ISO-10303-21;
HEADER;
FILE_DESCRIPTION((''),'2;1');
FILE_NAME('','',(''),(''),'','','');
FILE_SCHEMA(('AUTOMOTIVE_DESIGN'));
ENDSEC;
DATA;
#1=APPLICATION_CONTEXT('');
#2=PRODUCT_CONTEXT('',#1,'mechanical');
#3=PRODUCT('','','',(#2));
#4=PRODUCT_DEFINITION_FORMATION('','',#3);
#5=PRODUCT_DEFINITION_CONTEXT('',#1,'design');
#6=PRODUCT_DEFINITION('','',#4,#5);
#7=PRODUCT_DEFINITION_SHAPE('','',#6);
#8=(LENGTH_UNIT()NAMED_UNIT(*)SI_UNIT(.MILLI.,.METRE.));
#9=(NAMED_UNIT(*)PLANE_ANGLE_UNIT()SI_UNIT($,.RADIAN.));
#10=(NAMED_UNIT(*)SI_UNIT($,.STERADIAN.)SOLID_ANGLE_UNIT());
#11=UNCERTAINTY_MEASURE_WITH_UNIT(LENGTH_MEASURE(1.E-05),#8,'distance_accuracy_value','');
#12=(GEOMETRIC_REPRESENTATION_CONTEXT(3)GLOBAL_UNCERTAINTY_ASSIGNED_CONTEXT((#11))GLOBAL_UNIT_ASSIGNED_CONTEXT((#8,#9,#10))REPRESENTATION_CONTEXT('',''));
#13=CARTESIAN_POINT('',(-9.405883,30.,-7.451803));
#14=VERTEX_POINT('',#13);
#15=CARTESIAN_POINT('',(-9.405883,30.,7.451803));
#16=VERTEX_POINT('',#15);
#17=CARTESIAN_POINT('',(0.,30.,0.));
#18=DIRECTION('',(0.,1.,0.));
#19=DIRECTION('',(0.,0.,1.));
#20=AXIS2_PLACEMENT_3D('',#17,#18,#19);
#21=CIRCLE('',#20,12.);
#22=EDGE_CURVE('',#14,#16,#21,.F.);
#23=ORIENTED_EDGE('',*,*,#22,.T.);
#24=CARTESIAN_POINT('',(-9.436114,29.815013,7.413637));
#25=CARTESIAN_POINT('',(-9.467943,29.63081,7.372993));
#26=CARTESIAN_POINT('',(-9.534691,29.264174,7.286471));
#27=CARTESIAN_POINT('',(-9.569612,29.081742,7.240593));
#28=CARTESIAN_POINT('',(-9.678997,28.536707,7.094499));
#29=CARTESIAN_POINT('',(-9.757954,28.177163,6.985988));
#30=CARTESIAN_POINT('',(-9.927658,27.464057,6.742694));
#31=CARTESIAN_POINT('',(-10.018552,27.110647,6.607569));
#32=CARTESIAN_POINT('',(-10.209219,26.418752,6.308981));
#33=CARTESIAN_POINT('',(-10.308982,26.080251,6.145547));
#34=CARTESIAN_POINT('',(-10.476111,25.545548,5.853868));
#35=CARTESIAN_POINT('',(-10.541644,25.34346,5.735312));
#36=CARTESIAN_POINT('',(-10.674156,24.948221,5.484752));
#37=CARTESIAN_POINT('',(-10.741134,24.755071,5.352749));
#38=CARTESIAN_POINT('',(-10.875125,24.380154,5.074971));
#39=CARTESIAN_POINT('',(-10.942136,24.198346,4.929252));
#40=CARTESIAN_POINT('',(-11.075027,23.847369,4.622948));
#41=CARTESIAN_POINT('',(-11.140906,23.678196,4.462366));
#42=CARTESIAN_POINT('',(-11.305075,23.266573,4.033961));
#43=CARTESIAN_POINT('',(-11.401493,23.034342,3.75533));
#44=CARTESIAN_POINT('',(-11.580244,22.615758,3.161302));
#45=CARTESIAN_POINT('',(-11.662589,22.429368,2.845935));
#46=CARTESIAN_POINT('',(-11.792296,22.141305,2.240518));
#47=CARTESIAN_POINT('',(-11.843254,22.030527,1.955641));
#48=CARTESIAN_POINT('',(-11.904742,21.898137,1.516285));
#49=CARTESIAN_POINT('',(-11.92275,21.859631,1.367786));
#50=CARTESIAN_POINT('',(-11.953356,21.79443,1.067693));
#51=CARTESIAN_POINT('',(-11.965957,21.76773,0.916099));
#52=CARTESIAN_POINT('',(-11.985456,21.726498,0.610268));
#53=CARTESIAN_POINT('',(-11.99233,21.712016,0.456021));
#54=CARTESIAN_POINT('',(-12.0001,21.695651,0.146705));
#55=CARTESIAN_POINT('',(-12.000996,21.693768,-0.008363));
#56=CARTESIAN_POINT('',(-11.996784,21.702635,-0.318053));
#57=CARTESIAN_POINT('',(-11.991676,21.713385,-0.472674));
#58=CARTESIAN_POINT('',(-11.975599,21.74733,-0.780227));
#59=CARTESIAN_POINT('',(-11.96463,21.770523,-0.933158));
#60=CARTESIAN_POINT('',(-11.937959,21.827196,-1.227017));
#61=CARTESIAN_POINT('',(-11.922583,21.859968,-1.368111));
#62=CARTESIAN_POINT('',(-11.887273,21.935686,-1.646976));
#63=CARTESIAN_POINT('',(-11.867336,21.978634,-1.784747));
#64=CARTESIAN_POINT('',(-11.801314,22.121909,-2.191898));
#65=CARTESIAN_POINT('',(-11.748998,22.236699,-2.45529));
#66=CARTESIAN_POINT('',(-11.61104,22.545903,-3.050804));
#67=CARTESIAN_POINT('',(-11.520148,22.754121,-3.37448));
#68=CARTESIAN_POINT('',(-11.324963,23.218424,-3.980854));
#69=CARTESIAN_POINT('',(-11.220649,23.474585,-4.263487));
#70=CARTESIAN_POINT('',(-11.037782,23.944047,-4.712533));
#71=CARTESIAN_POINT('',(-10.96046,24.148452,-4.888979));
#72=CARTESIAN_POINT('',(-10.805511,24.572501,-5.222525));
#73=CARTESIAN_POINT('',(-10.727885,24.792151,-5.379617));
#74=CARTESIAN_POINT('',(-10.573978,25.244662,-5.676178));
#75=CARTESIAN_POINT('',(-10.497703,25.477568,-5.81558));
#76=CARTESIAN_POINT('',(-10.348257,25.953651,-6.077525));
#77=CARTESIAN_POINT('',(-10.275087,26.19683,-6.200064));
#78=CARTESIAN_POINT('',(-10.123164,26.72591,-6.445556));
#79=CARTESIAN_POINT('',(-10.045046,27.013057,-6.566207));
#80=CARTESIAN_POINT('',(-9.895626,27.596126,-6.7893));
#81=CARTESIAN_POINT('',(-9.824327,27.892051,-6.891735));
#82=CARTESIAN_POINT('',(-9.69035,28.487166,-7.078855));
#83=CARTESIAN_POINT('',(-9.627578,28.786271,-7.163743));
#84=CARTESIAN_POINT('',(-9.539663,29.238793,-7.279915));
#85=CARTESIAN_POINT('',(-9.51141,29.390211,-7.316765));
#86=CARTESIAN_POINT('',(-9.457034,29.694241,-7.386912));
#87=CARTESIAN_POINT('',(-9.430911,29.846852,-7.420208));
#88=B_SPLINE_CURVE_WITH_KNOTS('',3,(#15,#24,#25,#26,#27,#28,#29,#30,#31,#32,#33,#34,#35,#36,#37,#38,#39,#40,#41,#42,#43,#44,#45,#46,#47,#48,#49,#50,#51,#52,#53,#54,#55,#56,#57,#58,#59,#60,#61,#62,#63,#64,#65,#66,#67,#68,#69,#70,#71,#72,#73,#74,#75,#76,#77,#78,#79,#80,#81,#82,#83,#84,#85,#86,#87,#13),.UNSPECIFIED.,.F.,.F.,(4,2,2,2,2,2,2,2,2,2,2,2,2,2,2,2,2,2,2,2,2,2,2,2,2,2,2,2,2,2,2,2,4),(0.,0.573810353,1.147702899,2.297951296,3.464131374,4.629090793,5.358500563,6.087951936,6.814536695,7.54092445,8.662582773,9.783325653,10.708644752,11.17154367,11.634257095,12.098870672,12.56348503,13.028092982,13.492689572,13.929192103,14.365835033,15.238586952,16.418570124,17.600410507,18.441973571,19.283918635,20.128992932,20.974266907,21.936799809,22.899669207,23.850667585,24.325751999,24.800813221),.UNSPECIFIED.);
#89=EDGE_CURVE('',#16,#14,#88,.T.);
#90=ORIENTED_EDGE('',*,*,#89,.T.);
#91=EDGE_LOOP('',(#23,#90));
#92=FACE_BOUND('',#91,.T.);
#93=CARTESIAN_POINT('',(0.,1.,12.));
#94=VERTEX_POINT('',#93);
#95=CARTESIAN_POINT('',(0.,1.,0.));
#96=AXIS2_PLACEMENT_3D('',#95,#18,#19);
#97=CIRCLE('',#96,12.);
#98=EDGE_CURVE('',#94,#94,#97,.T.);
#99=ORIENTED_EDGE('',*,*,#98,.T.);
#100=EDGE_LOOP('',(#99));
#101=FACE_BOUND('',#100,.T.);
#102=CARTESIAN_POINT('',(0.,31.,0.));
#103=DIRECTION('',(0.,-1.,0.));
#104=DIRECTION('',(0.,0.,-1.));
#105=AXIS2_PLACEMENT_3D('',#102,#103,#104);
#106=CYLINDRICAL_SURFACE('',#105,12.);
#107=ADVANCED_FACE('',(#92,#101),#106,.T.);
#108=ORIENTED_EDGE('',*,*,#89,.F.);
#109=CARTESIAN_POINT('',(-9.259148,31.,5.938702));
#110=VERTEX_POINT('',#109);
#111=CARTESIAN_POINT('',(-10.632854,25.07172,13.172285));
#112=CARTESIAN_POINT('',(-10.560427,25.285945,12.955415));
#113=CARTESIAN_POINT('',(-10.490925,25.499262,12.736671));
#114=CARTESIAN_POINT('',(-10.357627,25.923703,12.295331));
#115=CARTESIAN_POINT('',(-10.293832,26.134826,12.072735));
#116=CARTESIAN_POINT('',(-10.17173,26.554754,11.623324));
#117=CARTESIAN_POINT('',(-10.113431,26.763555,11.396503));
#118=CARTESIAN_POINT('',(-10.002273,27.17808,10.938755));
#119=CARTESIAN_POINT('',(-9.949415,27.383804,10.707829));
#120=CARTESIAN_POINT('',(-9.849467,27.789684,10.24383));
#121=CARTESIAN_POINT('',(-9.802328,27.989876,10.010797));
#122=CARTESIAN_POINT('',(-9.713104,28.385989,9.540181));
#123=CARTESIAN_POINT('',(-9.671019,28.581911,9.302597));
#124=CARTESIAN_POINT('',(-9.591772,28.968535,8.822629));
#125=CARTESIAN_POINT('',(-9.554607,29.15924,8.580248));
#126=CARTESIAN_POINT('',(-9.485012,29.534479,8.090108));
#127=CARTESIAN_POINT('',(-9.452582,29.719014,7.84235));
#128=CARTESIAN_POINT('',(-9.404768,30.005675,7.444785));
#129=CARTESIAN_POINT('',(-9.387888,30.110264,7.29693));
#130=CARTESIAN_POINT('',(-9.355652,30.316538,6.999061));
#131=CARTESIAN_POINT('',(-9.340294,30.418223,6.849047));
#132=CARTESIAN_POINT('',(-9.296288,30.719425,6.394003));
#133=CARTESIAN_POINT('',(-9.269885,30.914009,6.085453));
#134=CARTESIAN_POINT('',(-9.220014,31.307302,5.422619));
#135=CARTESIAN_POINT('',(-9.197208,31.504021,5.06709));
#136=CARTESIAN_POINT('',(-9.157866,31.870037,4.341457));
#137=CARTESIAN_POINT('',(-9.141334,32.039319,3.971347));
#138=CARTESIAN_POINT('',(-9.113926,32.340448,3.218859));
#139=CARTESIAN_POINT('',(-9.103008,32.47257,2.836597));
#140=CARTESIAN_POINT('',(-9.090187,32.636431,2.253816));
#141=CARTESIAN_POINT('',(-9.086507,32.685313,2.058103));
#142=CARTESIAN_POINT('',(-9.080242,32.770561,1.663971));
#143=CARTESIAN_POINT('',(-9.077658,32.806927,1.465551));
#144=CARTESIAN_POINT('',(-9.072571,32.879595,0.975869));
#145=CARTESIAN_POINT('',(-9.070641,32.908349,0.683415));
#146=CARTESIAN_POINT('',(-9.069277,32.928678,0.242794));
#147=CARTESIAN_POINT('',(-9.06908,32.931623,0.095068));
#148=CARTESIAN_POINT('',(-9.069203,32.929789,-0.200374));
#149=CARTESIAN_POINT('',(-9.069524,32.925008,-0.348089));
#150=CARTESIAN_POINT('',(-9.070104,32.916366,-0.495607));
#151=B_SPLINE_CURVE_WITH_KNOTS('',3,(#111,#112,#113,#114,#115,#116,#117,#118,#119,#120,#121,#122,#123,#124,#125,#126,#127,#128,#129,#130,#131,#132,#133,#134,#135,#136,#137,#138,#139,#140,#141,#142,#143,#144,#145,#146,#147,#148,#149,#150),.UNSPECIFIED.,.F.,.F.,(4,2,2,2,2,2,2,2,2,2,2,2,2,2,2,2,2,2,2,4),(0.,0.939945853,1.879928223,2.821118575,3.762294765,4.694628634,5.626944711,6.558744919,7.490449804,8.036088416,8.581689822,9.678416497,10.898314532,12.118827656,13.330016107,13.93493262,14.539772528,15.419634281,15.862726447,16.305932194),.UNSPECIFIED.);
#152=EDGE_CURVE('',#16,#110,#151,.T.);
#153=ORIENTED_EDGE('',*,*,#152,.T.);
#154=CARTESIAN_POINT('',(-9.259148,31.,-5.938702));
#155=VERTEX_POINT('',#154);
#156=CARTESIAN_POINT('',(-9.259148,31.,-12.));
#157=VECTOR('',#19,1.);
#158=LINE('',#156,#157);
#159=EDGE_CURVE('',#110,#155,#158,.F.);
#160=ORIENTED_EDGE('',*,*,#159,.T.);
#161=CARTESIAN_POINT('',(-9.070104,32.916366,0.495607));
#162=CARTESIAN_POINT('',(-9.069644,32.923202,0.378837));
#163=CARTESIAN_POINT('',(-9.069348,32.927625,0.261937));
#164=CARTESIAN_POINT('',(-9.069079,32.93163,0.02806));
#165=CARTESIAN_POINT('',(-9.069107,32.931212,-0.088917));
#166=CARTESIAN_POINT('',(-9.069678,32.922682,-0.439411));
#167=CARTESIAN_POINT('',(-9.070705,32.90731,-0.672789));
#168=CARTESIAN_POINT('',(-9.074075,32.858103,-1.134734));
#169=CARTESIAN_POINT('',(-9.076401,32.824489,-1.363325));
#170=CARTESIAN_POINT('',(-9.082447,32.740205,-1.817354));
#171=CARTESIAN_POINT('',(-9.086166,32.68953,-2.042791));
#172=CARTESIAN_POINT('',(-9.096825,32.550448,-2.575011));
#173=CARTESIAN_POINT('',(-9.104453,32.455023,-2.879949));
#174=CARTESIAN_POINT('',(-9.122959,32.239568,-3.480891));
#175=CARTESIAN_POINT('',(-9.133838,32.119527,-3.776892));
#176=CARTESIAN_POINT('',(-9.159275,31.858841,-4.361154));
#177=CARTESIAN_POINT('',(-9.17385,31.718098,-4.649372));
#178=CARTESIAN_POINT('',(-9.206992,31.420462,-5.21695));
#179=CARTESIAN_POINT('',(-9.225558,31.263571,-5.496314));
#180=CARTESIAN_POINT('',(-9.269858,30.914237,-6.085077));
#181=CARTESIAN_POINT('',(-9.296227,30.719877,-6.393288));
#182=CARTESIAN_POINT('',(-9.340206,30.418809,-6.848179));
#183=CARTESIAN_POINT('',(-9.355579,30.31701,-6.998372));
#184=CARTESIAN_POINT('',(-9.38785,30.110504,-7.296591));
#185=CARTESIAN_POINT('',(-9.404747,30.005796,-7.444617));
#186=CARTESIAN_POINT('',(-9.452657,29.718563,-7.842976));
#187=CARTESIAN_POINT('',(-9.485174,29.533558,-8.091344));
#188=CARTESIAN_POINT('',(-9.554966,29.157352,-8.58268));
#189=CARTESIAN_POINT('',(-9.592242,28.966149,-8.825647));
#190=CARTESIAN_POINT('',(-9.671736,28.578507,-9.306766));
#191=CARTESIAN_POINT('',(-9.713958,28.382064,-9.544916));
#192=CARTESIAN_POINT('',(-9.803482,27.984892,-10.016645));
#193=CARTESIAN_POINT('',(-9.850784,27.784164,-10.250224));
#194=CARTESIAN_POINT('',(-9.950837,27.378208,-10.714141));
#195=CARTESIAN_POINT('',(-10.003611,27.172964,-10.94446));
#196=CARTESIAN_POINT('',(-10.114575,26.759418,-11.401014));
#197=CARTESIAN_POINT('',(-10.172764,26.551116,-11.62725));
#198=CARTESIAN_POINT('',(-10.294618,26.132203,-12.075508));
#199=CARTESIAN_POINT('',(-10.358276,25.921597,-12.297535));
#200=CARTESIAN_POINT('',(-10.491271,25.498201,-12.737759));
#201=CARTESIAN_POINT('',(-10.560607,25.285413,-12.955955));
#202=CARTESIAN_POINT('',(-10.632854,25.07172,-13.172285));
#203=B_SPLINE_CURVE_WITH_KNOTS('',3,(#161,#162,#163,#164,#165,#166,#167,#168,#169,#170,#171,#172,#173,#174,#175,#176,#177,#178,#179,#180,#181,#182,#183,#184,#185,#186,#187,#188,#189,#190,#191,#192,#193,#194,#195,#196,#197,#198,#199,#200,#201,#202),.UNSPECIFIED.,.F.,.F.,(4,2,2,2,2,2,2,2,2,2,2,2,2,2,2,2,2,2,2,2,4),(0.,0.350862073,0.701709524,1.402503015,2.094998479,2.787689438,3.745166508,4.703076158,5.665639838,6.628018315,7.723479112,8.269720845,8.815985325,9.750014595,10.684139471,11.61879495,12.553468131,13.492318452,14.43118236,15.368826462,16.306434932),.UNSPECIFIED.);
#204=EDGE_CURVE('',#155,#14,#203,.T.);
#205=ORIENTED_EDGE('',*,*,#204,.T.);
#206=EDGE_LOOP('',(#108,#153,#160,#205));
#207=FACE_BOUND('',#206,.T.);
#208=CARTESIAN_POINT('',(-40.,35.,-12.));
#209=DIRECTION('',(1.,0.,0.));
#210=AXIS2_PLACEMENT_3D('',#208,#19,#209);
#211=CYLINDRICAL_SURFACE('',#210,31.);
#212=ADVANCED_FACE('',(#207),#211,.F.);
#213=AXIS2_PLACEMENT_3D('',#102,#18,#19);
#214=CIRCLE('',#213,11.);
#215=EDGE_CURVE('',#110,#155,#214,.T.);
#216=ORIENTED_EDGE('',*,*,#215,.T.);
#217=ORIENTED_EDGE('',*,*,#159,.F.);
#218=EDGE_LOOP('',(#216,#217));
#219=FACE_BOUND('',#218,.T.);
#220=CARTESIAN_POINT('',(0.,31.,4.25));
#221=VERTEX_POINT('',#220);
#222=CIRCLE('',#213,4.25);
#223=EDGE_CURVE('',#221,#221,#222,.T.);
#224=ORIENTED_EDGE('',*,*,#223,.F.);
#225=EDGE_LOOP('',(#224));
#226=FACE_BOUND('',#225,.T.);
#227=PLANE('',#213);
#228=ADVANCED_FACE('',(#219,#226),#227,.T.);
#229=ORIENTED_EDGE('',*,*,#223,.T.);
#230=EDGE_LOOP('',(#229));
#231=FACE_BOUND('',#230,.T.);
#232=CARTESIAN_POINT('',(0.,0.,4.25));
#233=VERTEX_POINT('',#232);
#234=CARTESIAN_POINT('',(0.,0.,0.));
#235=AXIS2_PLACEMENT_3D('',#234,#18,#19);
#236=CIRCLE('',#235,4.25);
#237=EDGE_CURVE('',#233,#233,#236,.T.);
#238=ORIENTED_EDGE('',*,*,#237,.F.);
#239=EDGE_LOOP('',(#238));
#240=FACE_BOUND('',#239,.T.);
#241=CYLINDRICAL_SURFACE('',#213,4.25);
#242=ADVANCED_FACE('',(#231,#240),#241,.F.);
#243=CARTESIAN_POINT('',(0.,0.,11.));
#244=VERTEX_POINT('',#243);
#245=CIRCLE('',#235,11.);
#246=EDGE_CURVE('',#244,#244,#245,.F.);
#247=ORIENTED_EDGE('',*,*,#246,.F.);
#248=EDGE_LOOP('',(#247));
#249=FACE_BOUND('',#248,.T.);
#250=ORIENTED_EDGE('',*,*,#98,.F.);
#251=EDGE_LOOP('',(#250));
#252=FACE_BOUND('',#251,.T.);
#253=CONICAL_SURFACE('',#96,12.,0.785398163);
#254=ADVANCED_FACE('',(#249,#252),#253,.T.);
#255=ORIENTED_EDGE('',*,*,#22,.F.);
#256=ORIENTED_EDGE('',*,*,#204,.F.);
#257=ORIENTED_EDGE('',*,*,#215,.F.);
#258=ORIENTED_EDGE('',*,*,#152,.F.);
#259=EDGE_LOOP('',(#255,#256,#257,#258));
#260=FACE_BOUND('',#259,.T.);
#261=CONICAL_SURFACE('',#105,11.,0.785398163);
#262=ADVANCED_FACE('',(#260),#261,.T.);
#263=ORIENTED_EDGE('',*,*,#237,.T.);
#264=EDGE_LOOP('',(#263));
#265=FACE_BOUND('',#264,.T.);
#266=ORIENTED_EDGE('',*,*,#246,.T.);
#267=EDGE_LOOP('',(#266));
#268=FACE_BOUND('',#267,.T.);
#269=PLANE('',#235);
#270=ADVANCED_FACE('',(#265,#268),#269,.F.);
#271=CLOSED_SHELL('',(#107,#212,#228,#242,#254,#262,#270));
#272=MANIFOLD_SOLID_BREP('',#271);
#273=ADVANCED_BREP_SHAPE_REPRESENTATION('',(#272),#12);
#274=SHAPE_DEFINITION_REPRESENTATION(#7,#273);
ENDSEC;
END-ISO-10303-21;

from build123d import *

# Parameters (mm, degrees)
SKETCH_1_R               = 12
EXTRUDE_1_DEPTH          = 31
HOLE_WIZARD_M10_1_D      = 8.5
CHAMFER_1_SIZE           = 1
CUT_EXTRUDE_1_DEPTH      = 36.341194094
CUT_EXTRUDE_1_DEPTH_BACK = 36.341194094
SKETCH_5_R               = 31


with BuildPart() as part:
    # 草图1 → 凸台-拉伸1 (new body)
    with BuildSketch(Plane(origin=(0, 0, 0), x_dir=(1, 0, 0), z_dir=(0, 1, 0))):
        with Locations(Location((0, 0, 0), (0, 0, 270))):
            Circle(SKETCH_1_R)
    extrude(amount=EXTRUDE_1_DEPTH)

    # M10 螺纹孔1 (through all)
    with Locations(Plane(origin=(0, 31, 0), x_dir=(1, 0, 0), z_dir=(0, 1, 0))):
        with Locations((0, 0)):
            Hole(HOLE_WIZARD_M10_1_D / 2)

    # 倒角1
    chamfer_1_edges = [part.edges().sort_by_distance(p)[0] for p in [
        (0, 0, -12),
        (0, 31, -12),
    ]]
    chamfer(chamfer_1_edges, length=CHAMFER_1_SIZE)

    # 草图5 → 切除-拉伸1 (cut, two sides: drawn at the far end of the back side and taken through both)
    with BuildSketch(Plane.XY.offset(-CUT_EXTRUDE_1_DEPTH_BACK)):
        with Locations((-40, 35)):
            Circle(SKETCH_5_R)
    extrude(amount=CUT_EXTRUDE_1_DEPTH + CUT_EXTRUDE_1_DEPTH_BACK, mode=Mode.SUBTRACT)


solid = part.part
